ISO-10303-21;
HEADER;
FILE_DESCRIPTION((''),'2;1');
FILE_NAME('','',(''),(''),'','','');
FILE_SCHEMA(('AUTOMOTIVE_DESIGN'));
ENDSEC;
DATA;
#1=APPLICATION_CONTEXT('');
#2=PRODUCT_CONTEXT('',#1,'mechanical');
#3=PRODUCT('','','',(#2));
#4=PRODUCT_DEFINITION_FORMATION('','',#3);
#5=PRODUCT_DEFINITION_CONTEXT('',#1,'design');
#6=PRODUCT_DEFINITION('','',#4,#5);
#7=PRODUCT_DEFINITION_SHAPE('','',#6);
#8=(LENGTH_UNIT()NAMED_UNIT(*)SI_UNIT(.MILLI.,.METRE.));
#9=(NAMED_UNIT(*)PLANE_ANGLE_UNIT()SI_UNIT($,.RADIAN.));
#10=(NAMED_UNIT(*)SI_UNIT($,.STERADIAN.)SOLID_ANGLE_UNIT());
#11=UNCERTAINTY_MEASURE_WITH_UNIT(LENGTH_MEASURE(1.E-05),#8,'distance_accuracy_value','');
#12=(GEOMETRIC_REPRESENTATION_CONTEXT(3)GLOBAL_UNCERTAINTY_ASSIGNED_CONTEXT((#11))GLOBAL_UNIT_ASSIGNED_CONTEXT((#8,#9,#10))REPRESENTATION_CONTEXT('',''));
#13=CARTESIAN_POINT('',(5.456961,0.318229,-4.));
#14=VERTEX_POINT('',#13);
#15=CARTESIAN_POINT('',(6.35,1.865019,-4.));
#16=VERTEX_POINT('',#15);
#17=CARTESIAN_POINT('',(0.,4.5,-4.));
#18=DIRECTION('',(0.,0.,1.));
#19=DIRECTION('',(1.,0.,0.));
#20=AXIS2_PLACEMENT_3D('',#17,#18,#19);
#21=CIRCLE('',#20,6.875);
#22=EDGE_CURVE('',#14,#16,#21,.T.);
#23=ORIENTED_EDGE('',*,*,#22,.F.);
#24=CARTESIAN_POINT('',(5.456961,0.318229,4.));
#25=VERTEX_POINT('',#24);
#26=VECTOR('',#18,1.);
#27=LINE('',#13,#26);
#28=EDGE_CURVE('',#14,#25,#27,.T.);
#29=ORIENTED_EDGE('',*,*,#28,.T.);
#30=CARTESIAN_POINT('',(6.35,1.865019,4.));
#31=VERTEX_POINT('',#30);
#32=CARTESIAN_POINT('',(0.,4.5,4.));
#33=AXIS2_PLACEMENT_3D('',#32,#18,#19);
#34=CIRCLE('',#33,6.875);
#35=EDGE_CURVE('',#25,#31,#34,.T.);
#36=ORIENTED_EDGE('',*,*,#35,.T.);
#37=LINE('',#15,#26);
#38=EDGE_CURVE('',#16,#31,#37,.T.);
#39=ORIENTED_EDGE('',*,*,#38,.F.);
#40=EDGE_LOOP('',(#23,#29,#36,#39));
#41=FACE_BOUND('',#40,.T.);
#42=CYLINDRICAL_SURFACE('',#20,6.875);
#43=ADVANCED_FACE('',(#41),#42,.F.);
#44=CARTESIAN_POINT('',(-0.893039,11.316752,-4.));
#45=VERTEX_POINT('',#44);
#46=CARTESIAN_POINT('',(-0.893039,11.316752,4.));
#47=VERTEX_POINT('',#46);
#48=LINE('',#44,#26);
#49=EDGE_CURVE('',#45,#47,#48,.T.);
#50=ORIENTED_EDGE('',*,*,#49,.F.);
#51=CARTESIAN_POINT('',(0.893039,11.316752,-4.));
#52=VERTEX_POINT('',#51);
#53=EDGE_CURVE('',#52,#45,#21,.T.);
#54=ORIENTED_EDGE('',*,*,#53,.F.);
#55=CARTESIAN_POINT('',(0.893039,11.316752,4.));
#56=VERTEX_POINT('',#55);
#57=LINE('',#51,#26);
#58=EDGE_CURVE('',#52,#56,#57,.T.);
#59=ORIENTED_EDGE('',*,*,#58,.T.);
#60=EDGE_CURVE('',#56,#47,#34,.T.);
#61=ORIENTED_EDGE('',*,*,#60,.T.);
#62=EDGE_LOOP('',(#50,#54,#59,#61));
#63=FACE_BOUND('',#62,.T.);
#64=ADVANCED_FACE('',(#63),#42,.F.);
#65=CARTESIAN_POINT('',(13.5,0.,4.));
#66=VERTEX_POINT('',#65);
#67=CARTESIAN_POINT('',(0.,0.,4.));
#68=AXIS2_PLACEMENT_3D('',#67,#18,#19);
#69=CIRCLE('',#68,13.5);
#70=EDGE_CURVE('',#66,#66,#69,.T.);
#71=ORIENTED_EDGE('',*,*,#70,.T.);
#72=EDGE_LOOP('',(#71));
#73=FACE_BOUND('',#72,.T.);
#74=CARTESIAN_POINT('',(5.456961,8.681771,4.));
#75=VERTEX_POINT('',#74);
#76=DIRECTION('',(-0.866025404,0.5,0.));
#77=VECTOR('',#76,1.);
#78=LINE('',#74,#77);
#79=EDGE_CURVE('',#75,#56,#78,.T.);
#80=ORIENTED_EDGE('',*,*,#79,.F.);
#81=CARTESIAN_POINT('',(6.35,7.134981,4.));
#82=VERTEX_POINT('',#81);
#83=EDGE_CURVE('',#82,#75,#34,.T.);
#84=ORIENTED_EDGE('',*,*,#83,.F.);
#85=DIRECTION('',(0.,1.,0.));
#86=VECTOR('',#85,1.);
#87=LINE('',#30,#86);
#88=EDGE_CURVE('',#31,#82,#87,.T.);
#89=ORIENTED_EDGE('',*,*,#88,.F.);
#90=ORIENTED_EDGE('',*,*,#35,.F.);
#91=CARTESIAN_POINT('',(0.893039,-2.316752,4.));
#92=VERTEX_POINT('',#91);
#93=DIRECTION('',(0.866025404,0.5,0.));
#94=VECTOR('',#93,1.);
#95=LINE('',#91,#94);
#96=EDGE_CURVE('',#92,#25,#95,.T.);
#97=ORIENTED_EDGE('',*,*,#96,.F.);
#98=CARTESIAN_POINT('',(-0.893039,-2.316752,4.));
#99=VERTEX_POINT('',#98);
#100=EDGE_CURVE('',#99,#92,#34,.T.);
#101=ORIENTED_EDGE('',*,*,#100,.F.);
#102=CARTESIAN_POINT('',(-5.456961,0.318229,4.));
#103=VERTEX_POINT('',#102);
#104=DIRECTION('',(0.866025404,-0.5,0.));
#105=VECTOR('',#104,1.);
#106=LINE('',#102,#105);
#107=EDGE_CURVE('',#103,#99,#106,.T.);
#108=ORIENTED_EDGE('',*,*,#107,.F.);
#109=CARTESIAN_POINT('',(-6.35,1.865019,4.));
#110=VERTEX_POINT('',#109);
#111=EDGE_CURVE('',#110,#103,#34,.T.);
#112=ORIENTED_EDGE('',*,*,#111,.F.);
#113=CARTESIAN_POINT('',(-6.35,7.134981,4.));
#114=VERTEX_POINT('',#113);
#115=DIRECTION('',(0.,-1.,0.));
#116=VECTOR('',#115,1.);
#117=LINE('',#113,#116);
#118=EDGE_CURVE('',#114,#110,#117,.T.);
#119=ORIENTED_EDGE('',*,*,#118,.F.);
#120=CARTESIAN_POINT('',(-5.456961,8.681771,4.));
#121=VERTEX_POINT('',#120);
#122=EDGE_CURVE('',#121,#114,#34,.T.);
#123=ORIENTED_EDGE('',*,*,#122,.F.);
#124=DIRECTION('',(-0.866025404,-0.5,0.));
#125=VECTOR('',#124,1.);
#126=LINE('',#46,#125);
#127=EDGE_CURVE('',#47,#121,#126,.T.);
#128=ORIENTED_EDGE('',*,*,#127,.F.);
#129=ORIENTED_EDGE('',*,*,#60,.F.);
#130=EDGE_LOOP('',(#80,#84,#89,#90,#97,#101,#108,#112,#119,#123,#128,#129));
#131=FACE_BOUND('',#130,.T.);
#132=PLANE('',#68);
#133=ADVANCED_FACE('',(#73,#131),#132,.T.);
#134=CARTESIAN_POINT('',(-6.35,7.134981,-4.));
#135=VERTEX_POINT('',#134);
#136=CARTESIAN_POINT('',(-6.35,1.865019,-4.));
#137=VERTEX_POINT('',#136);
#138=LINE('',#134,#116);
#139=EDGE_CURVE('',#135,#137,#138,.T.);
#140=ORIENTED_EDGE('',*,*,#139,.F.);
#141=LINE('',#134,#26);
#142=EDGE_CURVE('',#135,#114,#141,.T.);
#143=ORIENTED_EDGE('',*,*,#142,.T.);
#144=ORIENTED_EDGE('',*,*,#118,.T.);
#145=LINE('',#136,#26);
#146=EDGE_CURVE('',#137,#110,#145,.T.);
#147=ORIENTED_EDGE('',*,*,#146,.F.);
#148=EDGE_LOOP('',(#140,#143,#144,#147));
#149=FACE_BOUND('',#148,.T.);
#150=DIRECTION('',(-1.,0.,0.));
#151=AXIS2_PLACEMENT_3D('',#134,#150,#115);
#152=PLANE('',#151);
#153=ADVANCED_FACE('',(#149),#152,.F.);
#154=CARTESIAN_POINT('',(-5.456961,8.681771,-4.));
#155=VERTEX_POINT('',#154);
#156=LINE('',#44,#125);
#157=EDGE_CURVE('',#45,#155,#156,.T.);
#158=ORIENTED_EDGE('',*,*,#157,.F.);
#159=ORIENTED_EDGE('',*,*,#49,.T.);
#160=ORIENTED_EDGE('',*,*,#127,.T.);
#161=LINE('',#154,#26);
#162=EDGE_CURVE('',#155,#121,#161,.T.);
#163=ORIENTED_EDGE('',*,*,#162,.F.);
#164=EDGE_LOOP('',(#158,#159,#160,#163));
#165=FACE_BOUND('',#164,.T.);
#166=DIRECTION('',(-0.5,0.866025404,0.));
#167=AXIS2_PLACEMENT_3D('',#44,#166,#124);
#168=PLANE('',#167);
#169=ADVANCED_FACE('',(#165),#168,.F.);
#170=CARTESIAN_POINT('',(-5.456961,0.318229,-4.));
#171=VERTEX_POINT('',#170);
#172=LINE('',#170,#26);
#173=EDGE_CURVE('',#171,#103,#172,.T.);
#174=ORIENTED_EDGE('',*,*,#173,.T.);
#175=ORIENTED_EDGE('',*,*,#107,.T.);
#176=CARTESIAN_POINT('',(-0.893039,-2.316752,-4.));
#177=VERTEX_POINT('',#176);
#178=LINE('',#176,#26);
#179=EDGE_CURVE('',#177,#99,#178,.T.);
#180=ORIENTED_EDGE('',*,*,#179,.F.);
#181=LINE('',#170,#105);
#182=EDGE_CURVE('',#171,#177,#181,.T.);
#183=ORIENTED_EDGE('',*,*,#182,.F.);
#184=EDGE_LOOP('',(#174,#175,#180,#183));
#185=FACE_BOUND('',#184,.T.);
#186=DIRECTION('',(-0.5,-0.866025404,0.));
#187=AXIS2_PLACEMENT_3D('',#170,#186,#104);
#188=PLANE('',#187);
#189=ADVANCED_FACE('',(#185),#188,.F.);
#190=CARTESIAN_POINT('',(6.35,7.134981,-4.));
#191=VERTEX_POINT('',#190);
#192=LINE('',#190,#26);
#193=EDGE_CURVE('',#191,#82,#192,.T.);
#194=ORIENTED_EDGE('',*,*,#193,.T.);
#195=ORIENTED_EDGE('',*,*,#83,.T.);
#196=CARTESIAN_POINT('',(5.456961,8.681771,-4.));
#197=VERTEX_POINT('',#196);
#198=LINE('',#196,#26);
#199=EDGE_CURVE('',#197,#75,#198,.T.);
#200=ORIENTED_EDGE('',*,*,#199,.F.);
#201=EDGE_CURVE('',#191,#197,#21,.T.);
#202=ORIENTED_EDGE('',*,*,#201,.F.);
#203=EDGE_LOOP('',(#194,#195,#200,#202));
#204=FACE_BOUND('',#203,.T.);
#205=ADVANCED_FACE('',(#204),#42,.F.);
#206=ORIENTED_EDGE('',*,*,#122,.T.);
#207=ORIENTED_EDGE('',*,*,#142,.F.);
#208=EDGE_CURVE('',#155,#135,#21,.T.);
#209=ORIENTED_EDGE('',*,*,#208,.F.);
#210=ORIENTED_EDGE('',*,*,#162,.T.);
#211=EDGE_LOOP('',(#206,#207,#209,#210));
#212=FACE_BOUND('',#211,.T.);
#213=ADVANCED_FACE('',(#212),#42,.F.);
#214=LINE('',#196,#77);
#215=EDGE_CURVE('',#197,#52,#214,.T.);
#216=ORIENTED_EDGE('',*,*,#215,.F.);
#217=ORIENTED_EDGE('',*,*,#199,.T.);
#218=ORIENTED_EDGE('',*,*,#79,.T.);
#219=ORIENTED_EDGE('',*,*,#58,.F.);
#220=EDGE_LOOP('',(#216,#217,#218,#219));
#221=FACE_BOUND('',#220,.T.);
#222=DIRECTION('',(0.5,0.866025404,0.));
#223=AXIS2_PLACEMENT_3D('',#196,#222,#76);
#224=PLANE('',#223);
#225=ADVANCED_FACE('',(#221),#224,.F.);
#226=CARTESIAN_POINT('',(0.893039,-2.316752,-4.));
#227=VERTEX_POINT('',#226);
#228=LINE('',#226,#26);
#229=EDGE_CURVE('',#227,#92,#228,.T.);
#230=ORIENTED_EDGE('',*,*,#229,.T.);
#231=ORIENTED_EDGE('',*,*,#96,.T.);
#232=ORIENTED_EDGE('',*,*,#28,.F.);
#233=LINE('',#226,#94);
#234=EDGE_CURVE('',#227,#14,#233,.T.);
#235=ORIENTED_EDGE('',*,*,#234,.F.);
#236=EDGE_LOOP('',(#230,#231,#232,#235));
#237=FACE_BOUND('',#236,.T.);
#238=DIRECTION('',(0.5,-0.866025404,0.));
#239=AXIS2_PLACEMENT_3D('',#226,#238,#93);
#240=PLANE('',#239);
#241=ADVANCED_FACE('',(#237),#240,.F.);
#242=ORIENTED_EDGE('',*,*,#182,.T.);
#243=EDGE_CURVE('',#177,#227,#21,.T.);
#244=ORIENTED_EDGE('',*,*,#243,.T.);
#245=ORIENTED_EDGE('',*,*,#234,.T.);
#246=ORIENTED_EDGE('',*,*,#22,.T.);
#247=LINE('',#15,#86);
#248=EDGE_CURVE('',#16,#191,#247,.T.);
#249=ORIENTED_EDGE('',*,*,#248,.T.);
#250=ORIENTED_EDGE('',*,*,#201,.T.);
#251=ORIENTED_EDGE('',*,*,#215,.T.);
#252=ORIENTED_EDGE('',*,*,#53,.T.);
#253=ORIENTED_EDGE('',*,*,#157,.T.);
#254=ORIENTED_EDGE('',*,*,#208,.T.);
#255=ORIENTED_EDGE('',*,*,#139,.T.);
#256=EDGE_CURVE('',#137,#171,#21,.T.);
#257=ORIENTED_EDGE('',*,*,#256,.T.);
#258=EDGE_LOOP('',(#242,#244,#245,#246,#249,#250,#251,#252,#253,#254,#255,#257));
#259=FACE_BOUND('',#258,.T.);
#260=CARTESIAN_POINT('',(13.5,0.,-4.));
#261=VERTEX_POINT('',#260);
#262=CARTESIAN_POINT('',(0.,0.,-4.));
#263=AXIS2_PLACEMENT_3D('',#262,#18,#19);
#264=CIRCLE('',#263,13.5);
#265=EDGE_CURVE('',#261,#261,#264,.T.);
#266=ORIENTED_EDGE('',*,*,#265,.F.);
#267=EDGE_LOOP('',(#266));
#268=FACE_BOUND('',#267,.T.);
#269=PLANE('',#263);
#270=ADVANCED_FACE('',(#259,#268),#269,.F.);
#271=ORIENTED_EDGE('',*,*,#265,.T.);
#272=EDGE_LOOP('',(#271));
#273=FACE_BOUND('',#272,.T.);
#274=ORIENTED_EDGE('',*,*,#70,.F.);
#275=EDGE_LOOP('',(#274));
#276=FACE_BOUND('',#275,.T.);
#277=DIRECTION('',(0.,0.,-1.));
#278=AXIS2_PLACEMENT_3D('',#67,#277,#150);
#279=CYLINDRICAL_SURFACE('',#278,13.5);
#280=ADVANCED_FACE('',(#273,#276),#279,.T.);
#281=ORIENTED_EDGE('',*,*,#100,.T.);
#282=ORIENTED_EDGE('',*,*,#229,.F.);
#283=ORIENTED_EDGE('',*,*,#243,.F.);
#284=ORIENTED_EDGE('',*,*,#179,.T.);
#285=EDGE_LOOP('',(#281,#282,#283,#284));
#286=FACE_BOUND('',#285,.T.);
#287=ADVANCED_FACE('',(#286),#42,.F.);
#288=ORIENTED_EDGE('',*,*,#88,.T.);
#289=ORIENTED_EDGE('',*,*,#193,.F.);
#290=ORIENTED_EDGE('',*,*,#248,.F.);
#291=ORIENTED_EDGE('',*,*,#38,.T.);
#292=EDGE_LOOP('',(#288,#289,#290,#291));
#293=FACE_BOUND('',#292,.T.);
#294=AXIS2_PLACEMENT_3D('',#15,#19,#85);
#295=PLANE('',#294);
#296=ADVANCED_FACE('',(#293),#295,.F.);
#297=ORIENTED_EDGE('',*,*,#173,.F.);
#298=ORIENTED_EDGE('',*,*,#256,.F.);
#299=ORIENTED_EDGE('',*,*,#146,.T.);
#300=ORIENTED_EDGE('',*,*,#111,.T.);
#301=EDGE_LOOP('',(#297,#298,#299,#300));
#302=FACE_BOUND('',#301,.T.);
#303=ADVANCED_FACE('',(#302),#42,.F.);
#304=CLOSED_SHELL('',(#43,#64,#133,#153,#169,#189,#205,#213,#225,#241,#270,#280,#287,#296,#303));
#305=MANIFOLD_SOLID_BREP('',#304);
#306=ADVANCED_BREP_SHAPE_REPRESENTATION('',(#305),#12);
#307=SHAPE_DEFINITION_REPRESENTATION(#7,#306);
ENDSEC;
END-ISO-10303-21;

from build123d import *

# Parameters (mm, degrees)
SKETCH1_R           = 13.5
BOSS_EXTRUDE1_DEPTH = 4
CUT_EXTRUDE1_DEPTH  = 21.700241544


with BuildPart() as part:
    # Sketch1 → Boss-Extrude1 (new, symmetric)
    with BuildSketch(Plane.XY):
        Circle(SKETCH1_R)
    extrude(amount=BOSS_EXTRUDE1_DEPTH, both=True)

    # Sketch2 → Cut-Extrude1 (cut, through all)
    with BuildSketch(Plane.XY.offset(4)):
        with BuildLine():
            Line((-0.893039494, 11.316751826), (-5.456960506, 8.681770802))
            ThreePointArc((-5.456960506, 8.681770802), (-5.953924651, 7.9375), (-6.35, 7.134981025))
            Line((-6.35, 7.134981025), (-6.35, 1.865018975))
            ThreePointArc((-6.35, 1.865018975), (-5.953924651, 1.0625), (-5.456960506, 0.318229198))
            Line((-5.456960506, 0.318229198), (-0.893039494, -2.316751826))
            ThreePointArc((-0.893039494, -2.316751826), (0, -2.375), (0.893039494, -2.316751826))
            Line((0.893039494, -2.316751826), (5.456960506, 0.318229198))
            ThreePointArc((5.456960506, 0.318229198), (5.953924651, 1.0625), (6.35, 1.865018975))
            Line((6.35, 1.865018975), (6.35, 7.134981025))
            ThreePointArc((6.35, 7.134981025), (5.953924651, 7.9375), (5.456960506, 8.681770802))
            Line((5.456960506, 8.681770802), (0.893039494, 11.316751826))
            ThreePointArc((0.893039494, 11.316751826), (0, 11.375), (-0.893039494, 11.316751826))
        make_face()
    extrude(amount=-CUT_EXTRUDE1_DEPTH, mode=Mode.SUBTRACT)


solid = part.part
